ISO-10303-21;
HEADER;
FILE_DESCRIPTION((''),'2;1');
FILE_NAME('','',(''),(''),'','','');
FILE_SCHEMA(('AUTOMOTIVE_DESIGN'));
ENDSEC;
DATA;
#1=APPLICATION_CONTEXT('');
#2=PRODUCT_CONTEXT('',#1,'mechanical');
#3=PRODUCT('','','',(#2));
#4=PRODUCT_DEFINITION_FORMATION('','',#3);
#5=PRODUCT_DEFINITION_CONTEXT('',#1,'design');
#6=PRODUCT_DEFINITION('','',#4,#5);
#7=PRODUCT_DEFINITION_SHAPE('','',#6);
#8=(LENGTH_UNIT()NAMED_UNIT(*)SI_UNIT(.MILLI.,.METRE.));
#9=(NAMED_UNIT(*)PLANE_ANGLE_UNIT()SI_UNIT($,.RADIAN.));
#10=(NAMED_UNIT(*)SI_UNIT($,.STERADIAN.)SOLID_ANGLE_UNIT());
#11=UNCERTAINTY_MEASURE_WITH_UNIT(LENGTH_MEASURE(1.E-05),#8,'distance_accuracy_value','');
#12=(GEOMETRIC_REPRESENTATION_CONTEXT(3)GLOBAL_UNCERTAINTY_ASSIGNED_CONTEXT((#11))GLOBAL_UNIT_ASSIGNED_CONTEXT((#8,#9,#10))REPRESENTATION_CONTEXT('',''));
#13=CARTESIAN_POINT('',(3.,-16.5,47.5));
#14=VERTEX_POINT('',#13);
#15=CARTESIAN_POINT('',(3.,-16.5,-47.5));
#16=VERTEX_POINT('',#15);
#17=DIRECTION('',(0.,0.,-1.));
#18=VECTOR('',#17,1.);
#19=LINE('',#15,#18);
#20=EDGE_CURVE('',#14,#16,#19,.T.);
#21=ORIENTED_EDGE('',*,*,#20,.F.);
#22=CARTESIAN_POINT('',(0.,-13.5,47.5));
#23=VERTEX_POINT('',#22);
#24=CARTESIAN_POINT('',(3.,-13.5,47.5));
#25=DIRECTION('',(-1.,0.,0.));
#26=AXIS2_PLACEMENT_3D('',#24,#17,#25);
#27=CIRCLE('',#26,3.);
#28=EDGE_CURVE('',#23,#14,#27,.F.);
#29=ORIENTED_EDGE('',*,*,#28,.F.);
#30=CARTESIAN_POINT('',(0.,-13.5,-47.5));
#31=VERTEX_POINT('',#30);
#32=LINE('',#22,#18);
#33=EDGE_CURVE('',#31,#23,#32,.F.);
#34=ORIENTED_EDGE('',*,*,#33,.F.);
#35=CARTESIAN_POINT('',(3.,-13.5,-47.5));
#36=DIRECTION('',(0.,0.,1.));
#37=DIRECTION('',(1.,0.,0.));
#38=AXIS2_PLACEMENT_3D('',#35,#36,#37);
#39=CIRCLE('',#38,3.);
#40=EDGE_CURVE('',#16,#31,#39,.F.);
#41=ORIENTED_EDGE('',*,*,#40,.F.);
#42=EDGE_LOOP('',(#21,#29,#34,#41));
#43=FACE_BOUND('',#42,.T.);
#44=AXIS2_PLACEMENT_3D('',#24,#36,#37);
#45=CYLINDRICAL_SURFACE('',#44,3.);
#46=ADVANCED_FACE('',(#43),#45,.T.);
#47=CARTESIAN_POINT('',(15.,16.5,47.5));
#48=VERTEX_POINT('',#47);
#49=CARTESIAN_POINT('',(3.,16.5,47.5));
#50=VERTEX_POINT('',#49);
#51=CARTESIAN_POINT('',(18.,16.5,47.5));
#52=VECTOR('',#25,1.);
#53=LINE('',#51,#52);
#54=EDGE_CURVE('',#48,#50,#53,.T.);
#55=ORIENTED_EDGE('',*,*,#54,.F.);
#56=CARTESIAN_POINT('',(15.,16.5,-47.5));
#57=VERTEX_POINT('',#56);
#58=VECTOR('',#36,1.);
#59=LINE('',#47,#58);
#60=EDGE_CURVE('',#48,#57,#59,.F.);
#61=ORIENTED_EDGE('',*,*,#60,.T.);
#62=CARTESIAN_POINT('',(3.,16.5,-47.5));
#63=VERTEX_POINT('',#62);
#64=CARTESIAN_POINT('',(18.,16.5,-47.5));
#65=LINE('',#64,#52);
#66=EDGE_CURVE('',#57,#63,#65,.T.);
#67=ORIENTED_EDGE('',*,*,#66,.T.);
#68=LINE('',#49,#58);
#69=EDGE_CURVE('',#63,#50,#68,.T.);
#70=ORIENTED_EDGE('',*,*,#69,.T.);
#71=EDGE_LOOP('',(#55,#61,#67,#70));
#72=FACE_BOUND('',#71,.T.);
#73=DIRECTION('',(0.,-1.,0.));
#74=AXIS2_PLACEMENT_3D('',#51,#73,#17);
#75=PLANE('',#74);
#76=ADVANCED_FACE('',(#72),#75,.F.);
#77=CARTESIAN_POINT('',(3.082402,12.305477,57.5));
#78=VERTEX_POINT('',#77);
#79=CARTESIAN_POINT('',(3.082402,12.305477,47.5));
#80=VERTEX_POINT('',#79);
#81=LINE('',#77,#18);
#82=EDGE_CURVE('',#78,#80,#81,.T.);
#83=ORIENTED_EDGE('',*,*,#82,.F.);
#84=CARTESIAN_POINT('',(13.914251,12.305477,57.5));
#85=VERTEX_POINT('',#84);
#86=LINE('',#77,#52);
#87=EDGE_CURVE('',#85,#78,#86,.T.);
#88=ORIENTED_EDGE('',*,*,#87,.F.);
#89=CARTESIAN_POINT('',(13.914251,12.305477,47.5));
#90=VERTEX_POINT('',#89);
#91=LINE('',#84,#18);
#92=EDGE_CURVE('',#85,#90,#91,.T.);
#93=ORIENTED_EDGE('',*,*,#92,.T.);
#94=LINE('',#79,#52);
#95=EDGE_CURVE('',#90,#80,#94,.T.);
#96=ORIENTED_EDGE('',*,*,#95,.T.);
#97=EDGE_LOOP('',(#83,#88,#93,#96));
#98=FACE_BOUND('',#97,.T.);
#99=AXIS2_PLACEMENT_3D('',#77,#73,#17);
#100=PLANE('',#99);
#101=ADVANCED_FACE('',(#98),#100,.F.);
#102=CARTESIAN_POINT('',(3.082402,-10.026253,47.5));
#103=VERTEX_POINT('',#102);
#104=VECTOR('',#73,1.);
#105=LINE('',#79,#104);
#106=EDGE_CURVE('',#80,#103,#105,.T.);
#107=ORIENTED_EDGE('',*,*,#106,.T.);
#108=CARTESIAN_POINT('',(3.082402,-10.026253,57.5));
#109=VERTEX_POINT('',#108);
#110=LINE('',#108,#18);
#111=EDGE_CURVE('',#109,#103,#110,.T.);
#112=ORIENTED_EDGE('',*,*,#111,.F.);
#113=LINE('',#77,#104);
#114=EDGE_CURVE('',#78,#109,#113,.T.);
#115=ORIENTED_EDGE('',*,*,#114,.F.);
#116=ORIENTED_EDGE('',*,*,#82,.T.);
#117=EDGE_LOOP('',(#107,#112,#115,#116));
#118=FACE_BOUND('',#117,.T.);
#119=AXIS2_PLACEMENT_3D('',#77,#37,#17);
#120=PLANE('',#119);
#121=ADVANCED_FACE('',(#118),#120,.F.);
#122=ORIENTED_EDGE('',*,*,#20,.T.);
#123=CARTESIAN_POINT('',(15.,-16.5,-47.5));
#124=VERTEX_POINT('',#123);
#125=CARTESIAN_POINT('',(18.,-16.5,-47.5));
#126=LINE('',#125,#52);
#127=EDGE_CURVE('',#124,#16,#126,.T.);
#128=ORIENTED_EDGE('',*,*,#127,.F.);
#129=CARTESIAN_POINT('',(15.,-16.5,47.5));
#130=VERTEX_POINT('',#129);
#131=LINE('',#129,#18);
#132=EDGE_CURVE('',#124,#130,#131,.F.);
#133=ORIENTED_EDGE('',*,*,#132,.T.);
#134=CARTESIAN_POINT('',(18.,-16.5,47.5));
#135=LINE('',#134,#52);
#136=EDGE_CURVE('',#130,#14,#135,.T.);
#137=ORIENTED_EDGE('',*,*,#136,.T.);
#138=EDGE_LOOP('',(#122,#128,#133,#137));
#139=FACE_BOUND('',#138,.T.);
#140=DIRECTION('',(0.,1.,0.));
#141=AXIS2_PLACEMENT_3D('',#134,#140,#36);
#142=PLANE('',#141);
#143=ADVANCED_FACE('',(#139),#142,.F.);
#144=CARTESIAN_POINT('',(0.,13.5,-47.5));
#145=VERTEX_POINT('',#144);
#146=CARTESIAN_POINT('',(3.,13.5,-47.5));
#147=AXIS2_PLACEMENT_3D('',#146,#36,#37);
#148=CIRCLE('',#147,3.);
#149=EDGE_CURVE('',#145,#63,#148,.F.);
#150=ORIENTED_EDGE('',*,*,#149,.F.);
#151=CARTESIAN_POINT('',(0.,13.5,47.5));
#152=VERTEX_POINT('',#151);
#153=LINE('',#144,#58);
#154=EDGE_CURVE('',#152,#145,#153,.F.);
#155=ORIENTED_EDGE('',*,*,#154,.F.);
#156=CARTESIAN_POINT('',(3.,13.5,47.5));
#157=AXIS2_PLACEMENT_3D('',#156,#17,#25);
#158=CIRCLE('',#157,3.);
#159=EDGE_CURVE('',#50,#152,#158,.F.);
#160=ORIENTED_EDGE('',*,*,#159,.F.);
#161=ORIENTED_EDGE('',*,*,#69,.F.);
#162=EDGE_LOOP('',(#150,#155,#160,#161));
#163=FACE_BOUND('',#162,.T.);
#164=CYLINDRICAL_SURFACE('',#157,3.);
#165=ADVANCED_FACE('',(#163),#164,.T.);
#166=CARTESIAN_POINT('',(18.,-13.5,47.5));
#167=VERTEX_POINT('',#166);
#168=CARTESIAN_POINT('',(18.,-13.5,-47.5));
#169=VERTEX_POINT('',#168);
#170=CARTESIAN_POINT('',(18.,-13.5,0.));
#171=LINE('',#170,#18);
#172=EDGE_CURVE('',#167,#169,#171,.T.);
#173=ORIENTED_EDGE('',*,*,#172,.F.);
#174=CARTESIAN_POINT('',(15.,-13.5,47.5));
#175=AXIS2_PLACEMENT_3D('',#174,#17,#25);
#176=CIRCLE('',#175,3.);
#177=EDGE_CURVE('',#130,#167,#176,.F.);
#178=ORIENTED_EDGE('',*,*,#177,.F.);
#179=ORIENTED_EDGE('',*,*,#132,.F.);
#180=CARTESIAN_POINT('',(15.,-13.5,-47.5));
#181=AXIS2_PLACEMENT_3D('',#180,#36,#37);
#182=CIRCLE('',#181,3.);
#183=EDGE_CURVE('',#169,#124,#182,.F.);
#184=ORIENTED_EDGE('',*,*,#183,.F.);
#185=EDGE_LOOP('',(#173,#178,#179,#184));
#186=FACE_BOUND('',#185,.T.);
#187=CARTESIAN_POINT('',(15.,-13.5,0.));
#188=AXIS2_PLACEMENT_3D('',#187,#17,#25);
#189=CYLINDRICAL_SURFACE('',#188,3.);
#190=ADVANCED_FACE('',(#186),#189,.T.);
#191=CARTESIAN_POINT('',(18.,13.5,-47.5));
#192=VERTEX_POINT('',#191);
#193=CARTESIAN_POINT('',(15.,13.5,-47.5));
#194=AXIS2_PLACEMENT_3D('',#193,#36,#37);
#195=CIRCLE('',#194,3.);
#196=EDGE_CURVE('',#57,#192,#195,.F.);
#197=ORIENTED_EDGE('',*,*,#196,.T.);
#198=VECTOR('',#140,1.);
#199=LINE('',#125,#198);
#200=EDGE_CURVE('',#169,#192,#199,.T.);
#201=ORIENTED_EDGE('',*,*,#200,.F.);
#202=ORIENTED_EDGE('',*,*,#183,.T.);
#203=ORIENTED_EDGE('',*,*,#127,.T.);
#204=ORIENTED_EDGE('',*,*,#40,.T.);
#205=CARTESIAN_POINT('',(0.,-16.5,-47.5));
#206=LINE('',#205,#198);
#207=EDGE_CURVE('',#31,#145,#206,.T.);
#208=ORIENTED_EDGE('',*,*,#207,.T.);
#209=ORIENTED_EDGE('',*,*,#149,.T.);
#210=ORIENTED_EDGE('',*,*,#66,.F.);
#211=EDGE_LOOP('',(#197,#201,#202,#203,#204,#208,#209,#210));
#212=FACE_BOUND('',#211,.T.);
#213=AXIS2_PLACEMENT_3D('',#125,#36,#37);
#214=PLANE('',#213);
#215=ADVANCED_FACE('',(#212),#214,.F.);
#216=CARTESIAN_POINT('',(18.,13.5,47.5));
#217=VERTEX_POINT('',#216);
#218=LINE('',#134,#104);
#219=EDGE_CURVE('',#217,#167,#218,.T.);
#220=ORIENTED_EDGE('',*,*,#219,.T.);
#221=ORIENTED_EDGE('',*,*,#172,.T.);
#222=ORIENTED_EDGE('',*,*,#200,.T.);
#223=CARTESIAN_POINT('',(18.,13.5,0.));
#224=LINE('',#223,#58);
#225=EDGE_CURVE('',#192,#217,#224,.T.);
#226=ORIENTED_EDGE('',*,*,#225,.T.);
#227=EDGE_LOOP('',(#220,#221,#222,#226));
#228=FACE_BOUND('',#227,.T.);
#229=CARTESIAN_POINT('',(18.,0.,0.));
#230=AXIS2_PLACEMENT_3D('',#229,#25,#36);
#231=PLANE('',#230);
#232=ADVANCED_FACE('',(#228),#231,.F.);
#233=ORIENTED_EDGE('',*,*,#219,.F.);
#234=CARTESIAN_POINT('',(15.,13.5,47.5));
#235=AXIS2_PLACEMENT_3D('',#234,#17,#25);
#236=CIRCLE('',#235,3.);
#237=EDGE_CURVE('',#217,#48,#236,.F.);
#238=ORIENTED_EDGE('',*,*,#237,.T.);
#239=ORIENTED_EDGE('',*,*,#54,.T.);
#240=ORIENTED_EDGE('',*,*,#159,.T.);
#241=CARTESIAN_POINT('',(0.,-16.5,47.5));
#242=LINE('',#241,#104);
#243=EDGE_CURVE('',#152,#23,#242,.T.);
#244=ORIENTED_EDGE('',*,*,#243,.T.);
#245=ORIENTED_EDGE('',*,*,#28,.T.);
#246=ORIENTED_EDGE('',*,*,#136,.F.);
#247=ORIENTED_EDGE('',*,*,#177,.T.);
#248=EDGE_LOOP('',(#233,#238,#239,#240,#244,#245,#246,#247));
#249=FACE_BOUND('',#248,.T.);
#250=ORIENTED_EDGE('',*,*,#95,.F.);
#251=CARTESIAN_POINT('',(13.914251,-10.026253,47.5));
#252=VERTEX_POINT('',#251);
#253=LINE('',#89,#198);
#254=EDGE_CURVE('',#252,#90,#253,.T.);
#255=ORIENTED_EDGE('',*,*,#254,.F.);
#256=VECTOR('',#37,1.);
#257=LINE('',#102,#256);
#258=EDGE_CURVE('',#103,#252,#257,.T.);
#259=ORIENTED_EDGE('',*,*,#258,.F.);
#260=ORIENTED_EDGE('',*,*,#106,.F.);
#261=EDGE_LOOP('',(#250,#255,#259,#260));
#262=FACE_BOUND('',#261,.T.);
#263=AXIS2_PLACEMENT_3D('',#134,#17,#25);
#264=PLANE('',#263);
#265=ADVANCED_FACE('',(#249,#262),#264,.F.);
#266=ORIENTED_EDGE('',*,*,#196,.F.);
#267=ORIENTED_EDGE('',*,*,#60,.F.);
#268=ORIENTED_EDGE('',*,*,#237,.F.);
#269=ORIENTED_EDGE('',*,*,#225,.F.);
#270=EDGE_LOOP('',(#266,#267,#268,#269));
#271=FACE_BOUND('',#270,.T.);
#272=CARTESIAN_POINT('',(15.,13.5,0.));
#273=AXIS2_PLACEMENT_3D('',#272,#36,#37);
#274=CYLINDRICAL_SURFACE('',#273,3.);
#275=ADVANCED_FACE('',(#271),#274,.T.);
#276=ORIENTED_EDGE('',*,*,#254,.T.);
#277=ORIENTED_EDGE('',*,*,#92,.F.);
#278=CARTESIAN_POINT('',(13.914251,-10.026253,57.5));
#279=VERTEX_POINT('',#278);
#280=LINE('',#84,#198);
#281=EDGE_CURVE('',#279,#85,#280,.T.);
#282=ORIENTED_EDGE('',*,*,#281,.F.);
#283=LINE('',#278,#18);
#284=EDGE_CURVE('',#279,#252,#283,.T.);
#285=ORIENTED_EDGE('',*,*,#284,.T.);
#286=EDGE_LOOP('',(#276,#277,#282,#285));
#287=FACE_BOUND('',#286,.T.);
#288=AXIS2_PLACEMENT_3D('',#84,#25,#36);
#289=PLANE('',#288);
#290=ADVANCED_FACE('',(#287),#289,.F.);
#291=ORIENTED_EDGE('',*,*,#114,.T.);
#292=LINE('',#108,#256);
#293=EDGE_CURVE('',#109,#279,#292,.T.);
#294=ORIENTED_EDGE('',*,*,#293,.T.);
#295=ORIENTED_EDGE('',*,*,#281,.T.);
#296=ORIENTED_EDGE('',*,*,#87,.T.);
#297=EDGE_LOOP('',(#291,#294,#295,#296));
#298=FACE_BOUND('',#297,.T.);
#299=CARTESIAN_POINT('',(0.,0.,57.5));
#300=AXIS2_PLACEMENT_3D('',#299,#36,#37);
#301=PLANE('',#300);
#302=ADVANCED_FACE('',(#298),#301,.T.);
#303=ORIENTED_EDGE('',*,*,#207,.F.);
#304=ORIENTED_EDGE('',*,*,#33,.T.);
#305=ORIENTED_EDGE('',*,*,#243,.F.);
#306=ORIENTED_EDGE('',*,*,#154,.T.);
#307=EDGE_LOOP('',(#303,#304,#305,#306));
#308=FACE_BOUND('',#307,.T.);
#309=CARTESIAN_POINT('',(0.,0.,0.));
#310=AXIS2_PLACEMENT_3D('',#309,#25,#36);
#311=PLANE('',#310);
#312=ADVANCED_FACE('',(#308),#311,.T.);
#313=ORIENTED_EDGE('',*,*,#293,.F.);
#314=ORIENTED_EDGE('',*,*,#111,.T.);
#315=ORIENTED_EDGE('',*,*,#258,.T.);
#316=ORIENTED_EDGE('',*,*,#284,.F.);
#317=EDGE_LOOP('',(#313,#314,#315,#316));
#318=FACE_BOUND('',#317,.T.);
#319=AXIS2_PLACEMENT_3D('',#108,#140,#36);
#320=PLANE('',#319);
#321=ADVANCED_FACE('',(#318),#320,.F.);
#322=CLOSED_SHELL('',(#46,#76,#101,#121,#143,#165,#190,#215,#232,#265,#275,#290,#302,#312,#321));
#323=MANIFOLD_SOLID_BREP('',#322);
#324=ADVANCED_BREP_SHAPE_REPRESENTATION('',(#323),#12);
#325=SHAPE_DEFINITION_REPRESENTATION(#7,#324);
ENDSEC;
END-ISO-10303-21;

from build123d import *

# Parameters (mm, degrees)
SKETCH1_W           = 95
SKETCH1_H           = 33
BOSS_EXTRUDE1_DEPTH = 18
SKETCH2_W           = 10.831848702
SKETCH2_H           = 22.331730537
BOSS_EXTRUDE2_DEPTH = 10
FILLET1_R           = 3


with BuildPart() as part:
    # Sketch1 → Boss-Extrude1 (new body)
    with BuildSketch(Plane(origin=(0, 0, 0), x_dir=(0, 0, -1), z_dir=(1, 0, 0))):
        Rectangle(SKETCH1_W, SKETCH1_H)
    extrude(amount=BOSS_EXTRUDE1_DEPTH)

    # Sketch2 → Boss-Extrude2 (add)
    with BuildSketch(Plane.XY.offset(47.5)):
        with Locations((8.498326505, 1.139612194)):
            Rectangle(SKETCH2_W, SKETCH2_H)
    extrude(amount=BOSS_EXTRUDE2_DEPTH)

    # Fillet1
    fillet1_edges = [part.edges().sort_by_distance(p)[0] for p in [
        (18, -16.5, 0),
        (0, -16.5, 0),
        (0, 16.5, 0),
        (18, 16.5, 0),
    ]]
    fillet(fillet1_edges, radius=FILLET1_R)


solid = part.part
